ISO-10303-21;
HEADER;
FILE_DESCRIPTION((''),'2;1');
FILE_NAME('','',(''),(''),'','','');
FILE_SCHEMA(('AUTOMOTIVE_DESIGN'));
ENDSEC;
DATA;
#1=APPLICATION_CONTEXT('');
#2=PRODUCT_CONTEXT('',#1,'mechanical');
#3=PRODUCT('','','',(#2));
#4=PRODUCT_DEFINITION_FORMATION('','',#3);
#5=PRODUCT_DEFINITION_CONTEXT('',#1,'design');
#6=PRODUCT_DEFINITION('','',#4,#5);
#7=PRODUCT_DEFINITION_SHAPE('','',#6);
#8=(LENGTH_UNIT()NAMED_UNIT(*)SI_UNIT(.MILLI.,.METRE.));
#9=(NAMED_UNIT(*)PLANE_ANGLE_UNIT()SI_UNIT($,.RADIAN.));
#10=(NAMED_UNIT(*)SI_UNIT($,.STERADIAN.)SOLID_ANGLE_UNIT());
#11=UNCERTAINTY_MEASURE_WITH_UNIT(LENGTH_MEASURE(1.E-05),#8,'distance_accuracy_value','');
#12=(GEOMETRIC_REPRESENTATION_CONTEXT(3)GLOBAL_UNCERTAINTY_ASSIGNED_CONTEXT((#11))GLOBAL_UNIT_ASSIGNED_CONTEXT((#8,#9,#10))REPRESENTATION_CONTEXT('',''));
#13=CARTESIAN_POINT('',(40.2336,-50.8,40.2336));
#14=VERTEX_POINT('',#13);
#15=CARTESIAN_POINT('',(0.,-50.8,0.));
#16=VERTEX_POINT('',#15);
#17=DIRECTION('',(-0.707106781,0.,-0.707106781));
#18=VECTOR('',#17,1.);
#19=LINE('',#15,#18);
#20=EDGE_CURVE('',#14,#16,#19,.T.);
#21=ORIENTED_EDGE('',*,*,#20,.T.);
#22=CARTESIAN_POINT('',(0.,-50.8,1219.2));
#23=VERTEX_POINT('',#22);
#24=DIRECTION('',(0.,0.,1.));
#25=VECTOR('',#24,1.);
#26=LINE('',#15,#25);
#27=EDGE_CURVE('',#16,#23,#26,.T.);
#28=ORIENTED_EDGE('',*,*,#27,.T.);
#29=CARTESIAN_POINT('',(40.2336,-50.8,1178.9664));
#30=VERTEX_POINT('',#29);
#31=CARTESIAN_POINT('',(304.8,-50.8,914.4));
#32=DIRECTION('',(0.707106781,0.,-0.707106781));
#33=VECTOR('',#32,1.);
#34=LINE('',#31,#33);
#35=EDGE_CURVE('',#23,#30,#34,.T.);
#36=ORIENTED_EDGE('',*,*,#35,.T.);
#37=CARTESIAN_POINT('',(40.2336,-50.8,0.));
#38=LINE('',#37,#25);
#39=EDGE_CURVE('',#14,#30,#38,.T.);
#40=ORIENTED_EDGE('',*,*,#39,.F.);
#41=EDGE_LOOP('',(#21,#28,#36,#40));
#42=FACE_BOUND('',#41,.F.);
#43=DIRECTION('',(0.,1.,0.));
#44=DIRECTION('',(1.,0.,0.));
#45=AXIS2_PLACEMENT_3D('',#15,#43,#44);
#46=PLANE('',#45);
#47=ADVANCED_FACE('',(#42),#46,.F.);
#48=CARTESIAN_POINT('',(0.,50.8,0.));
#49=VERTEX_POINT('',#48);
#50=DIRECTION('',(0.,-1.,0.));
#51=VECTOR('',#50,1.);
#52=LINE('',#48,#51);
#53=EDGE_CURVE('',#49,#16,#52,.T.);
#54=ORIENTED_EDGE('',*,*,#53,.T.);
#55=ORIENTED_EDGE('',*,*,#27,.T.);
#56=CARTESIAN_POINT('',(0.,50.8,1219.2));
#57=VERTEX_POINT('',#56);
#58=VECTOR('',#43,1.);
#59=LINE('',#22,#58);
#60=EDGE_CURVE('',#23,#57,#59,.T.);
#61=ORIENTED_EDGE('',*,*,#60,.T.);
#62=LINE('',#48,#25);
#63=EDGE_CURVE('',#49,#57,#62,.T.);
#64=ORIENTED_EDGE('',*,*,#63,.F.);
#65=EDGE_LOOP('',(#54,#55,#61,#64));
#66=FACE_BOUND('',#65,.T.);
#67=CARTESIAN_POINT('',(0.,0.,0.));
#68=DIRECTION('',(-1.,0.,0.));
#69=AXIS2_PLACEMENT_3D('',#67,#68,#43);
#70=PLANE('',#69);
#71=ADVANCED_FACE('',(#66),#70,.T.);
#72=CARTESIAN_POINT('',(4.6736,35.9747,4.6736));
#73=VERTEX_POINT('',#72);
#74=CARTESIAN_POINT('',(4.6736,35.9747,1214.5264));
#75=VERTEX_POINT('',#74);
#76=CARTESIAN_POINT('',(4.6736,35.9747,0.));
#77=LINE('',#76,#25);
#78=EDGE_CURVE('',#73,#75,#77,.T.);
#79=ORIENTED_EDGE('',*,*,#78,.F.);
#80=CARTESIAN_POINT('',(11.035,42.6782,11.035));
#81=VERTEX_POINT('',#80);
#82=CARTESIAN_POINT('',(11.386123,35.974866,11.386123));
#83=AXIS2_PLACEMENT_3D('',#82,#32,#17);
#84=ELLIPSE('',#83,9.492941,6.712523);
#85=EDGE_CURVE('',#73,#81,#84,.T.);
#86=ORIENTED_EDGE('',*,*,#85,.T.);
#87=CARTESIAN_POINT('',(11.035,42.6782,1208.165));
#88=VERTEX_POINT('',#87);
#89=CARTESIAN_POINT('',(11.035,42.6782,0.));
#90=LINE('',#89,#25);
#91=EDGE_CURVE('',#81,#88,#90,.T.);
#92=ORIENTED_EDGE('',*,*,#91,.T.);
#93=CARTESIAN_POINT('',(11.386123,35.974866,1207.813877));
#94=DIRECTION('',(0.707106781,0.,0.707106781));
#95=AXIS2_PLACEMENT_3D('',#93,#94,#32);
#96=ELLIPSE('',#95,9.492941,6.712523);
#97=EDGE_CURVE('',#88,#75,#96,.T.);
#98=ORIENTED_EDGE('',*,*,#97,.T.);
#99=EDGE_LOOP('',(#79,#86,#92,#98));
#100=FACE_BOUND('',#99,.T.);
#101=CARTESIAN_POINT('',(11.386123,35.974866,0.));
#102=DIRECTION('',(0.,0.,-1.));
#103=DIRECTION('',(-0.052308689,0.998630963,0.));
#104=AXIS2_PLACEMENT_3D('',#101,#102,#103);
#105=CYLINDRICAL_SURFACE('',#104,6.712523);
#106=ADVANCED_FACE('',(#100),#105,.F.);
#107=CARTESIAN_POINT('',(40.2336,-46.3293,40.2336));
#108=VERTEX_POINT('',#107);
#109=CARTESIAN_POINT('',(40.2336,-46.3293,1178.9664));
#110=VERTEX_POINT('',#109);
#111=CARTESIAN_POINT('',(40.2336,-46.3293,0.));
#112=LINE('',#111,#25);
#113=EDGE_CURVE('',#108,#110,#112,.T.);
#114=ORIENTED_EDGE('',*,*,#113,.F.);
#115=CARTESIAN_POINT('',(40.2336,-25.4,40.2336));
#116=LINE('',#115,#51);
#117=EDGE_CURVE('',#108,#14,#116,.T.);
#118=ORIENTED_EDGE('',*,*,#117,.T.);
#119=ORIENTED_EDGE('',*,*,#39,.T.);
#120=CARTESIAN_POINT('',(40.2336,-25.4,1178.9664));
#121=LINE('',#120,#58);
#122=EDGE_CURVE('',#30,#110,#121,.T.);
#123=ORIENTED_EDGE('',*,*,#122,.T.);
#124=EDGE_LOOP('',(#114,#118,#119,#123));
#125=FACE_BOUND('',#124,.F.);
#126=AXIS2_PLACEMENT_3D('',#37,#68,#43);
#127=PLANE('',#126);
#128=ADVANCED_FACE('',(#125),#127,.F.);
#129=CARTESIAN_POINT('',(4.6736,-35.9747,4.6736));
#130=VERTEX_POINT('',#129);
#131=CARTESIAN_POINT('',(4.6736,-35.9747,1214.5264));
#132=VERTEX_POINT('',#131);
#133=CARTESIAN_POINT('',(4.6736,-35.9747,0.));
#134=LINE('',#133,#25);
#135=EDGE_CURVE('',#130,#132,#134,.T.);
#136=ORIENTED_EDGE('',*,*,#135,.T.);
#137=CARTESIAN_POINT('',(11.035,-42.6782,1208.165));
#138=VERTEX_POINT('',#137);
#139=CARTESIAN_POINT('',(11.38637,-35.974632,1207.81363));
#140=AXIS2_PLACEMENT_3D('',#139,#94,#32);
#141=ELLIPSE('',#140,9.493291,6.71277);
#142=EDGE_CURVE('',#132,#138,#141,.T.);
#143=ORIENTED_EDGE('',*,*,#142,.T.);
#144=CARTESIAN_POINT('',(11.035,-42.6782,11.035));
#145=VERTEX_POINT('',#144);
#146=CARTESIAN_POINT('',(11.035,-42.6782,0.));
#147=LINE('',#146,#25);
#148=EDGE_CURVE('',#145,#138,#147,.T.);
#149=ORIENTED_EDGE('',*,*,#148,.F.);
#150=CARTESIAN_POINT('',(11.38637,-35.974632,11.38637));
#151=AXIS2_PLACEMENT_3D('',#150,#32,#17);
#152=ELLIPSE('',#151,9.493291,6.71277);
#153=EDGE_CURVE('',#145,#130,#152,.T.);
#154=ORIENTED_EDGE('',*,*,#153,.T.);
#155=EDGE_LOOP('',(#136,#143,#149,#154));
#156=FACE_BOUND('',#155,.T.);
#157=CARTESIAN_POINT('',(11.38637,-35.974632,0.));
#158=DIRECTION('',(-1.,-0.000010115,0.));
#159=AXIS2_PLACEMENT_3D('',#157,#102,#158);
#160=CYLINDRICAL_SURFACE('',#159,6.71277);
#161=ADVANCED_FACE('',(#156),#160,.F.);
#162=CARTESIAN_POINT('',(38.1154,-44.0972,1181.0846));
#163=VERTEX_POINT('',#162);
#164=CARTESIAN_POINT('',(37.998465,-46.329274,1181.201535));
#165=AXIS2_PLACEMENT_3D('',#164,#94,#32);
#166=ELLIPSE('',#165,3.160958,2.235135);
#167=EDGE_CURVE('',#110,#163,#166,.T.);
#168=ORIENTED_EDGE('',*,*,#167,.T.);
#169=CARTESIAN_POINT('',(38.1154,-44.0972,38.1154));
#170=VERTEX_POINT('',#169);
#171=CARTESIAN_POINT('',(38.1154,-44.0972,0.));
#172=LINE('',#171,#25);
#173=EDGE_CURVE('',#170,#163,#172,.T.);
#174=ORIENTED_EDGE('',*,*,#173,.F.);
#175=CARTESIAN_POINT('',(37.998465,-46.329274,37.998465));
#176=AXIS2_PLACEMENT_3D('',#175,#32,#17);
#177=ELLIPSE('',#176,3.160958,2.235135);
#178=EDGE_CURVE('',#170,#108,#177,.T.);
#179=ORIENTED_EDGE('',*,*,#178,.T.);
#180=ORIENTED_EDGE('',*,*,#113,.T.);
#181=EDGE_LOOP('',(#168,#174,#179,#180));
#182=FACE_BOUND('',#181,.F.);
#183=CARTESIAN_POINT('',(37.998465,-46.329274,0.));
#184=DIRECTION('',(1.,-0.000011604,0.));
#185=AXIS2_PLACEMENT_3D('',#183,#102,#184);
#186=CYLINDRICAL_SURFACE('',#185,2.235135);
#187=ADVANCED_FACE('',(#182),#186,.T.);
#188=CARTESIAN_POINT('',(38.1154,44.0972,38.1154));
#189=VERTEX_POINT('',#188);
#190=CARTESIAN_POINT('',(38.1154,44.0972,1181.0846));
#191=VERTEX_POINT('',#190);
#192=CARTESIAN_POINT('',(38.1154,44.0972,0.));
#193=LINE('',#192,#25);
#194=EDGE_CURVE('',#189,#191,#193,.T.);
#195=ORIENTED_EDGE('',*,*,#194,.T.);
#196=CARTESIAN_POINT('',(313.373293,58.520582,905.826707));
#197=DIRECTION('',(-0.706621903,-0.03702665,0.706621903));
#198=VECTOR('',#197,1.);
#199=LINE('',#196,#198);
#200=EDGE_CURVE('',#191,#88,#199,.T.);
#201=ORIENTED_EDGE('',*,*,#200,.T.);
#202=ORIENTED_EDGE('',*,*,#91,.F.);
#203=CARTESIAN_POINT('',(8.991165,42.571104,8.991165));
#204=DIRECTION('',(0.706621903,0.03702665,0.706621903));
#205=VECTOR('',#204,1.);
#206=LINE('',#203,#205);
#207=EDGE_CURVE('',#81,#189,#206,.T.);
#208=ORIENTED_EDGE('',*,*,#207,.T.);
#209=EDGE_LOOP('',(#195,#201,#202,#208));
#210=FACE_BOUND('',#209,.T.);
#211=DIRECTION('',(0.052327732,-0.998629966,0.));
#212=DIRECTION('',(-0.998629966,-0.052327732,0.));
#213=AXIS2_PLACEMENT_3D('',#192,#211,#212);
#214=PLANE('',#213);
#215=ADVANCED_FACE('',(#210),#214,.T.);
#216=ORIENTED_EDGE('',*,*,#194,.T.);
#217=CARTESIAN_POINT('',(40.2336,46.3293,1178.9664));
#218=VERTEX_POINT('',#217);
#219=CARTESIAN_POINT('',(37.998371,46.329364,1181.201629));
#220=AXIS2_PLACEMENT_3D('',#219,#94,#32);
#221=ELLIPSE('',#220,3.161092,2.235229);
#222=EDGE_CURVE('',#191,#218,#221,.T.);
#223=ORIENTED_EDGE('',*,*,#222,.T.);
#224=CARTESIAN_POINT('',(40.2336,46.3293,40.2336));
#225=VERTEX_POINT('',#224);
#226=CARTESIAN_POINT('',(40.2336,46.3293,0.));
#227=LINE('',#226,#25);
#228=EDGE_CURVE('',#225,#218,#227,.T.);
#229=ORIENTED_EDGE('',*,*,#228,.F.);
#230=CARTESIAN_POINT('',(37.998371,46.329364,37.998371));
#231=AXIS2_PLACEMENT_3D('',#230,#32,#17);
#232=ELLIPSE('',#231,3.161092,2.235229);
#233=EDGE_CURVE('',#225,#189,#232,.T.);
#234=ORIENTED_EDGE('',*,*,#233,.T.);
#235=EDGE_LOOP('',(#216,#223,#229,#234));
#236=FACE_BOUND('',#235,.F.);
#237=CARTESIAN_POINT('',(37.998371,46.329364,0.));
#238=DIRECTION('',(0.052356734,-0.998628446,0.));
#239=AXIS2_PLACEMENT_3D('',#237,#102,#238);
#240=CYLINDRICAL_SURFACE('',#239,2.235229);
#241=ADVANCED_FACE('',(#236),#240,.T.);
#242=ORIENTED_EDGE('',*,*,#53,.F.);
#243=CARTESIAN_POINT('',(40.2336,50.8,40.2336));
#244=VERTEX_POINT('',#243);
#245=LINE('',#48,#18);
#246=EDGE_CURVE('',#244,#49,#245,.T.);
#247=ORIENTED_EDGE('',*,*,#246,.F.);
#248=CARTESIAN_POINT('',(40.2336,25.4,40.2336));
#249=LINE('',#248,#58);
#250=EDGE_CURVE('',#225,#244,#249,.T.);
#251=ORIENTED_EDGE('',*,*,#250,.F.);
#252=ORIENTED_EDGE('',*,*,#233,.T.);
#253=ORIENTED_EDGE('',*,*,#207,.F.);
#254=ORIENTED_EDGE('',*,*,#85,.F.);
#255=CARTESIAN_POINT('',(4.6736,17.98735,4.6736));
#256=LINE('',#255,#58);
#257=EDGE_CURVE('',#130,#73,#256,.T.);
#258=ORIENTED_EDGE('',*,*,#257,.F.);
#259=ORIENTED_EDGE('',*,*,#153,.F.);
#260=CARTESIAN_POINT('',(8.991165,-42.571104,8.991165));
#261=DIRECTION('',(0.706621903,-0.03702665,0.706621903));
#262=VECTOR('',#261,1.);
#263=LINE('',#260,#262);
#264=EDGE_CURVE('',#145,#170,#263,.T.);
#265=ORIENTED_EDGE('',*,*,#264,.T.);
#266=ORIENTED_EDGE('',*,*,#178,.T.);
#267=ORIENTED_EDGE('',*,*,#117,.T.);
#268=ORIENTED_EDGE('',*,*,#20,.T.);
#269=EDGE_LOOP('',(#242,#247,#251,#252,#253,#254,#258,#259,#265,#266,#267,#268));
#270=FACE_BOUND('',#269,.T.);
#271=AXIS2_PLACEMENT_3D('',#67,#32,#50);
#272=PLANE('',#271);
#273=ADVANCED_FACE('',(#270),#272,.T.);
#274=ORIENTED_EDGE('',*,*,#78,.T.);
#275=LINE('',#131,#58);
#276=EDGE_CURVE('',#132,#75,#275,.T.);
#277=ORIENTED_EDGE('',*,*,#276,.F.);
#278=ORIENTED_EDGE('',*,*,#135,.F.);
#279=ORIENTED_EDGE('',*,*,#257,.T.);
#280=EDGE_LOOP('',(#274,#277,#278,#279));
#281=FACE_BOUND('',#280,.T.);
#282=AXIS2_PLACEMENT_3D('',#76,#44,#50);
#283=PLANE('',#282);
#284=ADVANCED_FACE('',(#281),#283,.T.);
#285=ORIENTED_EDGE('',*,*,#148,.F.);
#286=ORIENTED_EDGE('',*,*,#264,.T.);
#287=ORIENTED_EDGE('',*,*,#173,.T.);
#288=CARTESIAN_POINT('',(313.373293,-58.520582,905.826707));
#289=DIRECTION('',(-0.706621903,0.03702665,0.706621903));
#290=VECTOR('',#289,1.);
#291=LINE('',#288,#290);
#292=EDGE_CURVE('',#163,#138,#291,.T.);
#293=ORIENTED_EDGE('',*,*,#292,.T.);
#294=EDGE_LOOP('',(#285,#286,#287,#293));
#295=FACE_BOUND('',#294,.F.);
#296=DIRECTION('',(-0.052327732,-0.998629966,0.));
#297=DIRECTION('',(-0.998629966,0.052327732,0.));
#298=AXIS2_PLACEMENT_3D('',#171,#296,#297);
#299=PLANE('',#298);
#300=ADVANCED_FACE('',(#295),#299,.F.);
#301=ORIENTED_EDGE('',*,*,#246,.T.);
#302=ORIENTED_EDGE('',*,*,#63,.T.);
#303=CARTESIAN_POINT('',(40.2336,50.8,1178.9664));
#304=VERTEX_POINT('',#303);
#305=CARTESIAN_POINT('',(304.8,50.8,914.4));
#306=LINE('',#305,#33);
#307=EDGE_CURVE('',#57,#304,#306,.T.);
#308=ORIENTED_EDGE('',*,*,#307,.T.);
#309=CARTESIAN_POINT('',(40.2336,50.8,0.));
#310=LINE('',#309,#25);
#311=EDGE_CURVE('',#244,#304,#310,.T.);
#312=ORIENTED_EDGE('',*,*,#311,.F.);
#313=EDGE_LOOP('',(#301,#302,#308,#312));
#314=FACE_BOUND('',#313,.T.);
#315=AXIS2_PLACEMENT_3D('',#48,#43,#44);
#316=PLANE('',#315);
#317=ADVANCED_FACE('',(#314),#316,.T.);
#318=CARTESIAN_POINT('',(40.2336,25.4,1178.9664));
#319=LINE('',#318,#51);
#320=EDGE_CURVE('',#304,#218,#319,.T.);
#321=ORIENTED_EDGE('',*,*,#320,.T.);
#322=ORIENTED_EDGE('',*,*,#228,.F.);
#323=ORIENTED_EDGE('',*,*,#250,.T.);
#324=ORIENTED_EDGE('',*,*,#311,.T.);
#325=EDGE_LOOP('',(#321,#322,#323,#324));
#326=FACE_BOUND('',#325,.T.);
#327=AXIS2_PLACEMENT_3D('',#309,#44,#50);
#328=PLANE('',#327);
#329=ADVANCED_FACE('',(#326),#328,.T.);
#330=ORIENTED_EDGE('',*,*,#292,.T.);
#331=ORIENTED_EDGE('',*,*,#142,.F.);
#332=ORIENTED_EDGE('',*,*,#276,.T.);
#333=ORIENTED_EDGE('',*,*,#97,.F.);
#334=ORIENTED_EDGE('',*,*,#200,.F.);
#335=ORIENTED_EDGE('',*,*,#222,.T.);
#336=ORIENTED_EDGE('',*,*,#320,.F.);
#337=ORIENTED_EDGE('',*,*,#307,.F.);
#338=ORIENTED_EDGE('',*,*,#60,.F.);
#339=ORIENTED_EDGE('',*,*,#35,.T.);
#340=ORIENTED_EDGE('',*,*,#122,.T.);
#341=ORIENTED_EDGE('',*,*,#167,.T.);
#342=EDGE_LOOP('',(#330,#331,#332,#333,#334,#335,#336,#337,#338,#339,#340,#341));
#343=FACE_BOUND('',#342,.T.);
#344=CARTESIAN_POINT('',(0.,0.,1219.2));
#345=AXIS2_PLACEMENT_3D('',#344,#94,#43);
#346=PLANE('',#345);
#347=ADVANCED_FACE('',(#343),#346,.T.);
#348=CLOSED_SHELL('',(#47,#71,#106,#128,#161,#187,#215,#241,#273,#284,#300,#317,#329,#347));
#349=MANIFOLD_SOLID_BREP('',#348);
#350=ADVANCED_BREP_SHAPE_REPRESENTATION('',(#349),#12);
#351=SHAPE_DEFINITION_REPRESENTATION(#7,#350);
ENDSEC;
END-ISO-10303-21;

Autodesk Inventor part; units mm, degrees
ref_plane "Start plane" through (0, 0, 0) normal (0, 0, 1) x (1, 0, 0)
ref_plane "End plane" through (0, 0, 1219.2) normal (0, 0, 1) x (1, 0, 0)
sketch "Sketch" plane through (0, 0, 0) normal (0, 0, 1) x (1, 0, 0)
  line L0 (0, 0) -> (0, 50.8)
  line L1 (0, 50.8) -> (40.2336, 50.8)
  line L2 (40.2336, 50.8) -> (40.2336, 46.3293)
  line L3 (38.1154, 44.0972) -> (11.035, 42.6782)
  line L4 (4.6736, 35.9747) -> (4.6736, 0)
  line L5 (4.6736, 0) -> (0, 0) construction
  line L6 (22.5508, 50.8) -> (22.5508, 43.2816) construction
  line L7 (40.2336, 44.2082) -> (40.2336, 43.2816) construction
  line L8 (40.2336, 43.2816) -> (22.5508, 43.2816) construction
  line L9 (0, 15) -> (0, -27) construction
  line L10 (-5.539, 0) -> (16.0067, 0) construction
  line L11 (0, 0) -> (0, -50.8)
  line L12 (0, -50.8) -> (40.2336, -50.8)
  line L13 (40.2336, -50.8) -> (40.2336, -46.3293)
  line L14 (38.1154, -44.0972) -> (11.035, -42.6782)
  line L15 (4.6736, -35.9747) -> (4.6736, 0)
  arc A0 (11.035, 42.6782) -> (4.6736, 35.9747) centre (11.3862, 35.9747) ccw
  arc A1 (4.6736, -35.9747) -> (11.035, -42.6782) centre (11.3862, -35.9747) ccw
  arc A2 (38.1154, 44.0972) -> (40.2336, 46.3293) centre (37.9984, 46.3293) ccw
  arc A3 (40.2336, -46.3293) -> (38.1154, -44.0972) centre (37.9984, -46.3293) ccw
  line L16 (0, 71.12) -> (0, -71.12) construction
  line L17 (-14.7825, 0) -> (49.9224, 0) construction
  point P0 (4.6736, 42.3448)
  point P1 (40.2336, -44.2082)
  point P2 (4.6736, -42.3448)
  point P3 (22.5508, -50.8)
  point P4 (22.5508, -43.2816)
  dimension "d0" = 4.6736
  dimension "d1" = 50.8
  dimension "d2" = 40.2336
  dimension "d3" = 7.5184
  dimension "d4" = 17.6828
  dimension "d5" = 0.9266
  dimension "d25" = 0
  dimension "d28" = 6.7127
  dimension "d29" = 2.2352
extrude "Body" add sketch "Sketch" along normal up to surface (1219.2 mm away) from surface at 0
sketch "Sketch3" plane through (0, 0, 0) normal (0, 0, 1) x (1, 0, 0)
  line L0 (0, 0) -> (10, 0)
ref_plane "Work Plane3" through (0, 0, 0) normal (0, -1, 0) x (1, 0, 0)
sketch "Sketch4" plane through (0, 0, 0) normal (0, -1, 0) x (1, 0, 0)
  line L0 (-2, 0) -> (12, 0)
  line L1 (-2, 1219.2) -> (12, 1219.2)
  dimension "d31" = 1219.2
ref_plane "Work Plane4" through (0, 0, 1219.2) normal (0.7071, 0, 0.7071) x (0.7071, 0, -0.7071)
split "Split1" plane through (0, 0, 1219.2) removes the side toward (0.7071, 0, 0.7071)
ref_plane "Work Plane5" through (0, 0, 0) normal (0.7071, 0, -0.7071) x (-0.7071, 0, -0.7071)
split "Split2" plane through (0, 0, 0) removes the side toward (0.7071, 0, -0.7071)
equation "\"d0\" = G_T"
equation "\"d1\" = 0.5 * G_H"
equation "\"d2\" = G_W"
equation "\"d3\" = G_T1"
equation "\"d4\" = G_C"
equation "\"d28\" = G_IR"
equation "\"d29\" = G_ER"
equation "\"d6\" = G_L"
equation "\"G_W\" = 40.2336"
equation "\"G_H\" = 101.6"
equation "\"G_T\" = 4.6736"
equation "\"G_T1\" = 7.5184"
equation "\"G_NG\" = 0.0524"
equation "\"G_ER\" = 2.2352"
equation "\"G_IR\" = 6.71265"
equation "\"G_C\" = 17.68285"
equation "\"G_L\" = d31"
equation "\"ex\" = 0"
equation "\"G_OFFSET_START\" = 0"
equation "\"G_OFFSET_END\" = 0"
equation "\"d27\" = G_OFFSET_END + B_L"
equation "\"B_L\" = 1219.2"
properties part number "AISC - C 4 x 5.4 - 48" material "Steel, Mild"
